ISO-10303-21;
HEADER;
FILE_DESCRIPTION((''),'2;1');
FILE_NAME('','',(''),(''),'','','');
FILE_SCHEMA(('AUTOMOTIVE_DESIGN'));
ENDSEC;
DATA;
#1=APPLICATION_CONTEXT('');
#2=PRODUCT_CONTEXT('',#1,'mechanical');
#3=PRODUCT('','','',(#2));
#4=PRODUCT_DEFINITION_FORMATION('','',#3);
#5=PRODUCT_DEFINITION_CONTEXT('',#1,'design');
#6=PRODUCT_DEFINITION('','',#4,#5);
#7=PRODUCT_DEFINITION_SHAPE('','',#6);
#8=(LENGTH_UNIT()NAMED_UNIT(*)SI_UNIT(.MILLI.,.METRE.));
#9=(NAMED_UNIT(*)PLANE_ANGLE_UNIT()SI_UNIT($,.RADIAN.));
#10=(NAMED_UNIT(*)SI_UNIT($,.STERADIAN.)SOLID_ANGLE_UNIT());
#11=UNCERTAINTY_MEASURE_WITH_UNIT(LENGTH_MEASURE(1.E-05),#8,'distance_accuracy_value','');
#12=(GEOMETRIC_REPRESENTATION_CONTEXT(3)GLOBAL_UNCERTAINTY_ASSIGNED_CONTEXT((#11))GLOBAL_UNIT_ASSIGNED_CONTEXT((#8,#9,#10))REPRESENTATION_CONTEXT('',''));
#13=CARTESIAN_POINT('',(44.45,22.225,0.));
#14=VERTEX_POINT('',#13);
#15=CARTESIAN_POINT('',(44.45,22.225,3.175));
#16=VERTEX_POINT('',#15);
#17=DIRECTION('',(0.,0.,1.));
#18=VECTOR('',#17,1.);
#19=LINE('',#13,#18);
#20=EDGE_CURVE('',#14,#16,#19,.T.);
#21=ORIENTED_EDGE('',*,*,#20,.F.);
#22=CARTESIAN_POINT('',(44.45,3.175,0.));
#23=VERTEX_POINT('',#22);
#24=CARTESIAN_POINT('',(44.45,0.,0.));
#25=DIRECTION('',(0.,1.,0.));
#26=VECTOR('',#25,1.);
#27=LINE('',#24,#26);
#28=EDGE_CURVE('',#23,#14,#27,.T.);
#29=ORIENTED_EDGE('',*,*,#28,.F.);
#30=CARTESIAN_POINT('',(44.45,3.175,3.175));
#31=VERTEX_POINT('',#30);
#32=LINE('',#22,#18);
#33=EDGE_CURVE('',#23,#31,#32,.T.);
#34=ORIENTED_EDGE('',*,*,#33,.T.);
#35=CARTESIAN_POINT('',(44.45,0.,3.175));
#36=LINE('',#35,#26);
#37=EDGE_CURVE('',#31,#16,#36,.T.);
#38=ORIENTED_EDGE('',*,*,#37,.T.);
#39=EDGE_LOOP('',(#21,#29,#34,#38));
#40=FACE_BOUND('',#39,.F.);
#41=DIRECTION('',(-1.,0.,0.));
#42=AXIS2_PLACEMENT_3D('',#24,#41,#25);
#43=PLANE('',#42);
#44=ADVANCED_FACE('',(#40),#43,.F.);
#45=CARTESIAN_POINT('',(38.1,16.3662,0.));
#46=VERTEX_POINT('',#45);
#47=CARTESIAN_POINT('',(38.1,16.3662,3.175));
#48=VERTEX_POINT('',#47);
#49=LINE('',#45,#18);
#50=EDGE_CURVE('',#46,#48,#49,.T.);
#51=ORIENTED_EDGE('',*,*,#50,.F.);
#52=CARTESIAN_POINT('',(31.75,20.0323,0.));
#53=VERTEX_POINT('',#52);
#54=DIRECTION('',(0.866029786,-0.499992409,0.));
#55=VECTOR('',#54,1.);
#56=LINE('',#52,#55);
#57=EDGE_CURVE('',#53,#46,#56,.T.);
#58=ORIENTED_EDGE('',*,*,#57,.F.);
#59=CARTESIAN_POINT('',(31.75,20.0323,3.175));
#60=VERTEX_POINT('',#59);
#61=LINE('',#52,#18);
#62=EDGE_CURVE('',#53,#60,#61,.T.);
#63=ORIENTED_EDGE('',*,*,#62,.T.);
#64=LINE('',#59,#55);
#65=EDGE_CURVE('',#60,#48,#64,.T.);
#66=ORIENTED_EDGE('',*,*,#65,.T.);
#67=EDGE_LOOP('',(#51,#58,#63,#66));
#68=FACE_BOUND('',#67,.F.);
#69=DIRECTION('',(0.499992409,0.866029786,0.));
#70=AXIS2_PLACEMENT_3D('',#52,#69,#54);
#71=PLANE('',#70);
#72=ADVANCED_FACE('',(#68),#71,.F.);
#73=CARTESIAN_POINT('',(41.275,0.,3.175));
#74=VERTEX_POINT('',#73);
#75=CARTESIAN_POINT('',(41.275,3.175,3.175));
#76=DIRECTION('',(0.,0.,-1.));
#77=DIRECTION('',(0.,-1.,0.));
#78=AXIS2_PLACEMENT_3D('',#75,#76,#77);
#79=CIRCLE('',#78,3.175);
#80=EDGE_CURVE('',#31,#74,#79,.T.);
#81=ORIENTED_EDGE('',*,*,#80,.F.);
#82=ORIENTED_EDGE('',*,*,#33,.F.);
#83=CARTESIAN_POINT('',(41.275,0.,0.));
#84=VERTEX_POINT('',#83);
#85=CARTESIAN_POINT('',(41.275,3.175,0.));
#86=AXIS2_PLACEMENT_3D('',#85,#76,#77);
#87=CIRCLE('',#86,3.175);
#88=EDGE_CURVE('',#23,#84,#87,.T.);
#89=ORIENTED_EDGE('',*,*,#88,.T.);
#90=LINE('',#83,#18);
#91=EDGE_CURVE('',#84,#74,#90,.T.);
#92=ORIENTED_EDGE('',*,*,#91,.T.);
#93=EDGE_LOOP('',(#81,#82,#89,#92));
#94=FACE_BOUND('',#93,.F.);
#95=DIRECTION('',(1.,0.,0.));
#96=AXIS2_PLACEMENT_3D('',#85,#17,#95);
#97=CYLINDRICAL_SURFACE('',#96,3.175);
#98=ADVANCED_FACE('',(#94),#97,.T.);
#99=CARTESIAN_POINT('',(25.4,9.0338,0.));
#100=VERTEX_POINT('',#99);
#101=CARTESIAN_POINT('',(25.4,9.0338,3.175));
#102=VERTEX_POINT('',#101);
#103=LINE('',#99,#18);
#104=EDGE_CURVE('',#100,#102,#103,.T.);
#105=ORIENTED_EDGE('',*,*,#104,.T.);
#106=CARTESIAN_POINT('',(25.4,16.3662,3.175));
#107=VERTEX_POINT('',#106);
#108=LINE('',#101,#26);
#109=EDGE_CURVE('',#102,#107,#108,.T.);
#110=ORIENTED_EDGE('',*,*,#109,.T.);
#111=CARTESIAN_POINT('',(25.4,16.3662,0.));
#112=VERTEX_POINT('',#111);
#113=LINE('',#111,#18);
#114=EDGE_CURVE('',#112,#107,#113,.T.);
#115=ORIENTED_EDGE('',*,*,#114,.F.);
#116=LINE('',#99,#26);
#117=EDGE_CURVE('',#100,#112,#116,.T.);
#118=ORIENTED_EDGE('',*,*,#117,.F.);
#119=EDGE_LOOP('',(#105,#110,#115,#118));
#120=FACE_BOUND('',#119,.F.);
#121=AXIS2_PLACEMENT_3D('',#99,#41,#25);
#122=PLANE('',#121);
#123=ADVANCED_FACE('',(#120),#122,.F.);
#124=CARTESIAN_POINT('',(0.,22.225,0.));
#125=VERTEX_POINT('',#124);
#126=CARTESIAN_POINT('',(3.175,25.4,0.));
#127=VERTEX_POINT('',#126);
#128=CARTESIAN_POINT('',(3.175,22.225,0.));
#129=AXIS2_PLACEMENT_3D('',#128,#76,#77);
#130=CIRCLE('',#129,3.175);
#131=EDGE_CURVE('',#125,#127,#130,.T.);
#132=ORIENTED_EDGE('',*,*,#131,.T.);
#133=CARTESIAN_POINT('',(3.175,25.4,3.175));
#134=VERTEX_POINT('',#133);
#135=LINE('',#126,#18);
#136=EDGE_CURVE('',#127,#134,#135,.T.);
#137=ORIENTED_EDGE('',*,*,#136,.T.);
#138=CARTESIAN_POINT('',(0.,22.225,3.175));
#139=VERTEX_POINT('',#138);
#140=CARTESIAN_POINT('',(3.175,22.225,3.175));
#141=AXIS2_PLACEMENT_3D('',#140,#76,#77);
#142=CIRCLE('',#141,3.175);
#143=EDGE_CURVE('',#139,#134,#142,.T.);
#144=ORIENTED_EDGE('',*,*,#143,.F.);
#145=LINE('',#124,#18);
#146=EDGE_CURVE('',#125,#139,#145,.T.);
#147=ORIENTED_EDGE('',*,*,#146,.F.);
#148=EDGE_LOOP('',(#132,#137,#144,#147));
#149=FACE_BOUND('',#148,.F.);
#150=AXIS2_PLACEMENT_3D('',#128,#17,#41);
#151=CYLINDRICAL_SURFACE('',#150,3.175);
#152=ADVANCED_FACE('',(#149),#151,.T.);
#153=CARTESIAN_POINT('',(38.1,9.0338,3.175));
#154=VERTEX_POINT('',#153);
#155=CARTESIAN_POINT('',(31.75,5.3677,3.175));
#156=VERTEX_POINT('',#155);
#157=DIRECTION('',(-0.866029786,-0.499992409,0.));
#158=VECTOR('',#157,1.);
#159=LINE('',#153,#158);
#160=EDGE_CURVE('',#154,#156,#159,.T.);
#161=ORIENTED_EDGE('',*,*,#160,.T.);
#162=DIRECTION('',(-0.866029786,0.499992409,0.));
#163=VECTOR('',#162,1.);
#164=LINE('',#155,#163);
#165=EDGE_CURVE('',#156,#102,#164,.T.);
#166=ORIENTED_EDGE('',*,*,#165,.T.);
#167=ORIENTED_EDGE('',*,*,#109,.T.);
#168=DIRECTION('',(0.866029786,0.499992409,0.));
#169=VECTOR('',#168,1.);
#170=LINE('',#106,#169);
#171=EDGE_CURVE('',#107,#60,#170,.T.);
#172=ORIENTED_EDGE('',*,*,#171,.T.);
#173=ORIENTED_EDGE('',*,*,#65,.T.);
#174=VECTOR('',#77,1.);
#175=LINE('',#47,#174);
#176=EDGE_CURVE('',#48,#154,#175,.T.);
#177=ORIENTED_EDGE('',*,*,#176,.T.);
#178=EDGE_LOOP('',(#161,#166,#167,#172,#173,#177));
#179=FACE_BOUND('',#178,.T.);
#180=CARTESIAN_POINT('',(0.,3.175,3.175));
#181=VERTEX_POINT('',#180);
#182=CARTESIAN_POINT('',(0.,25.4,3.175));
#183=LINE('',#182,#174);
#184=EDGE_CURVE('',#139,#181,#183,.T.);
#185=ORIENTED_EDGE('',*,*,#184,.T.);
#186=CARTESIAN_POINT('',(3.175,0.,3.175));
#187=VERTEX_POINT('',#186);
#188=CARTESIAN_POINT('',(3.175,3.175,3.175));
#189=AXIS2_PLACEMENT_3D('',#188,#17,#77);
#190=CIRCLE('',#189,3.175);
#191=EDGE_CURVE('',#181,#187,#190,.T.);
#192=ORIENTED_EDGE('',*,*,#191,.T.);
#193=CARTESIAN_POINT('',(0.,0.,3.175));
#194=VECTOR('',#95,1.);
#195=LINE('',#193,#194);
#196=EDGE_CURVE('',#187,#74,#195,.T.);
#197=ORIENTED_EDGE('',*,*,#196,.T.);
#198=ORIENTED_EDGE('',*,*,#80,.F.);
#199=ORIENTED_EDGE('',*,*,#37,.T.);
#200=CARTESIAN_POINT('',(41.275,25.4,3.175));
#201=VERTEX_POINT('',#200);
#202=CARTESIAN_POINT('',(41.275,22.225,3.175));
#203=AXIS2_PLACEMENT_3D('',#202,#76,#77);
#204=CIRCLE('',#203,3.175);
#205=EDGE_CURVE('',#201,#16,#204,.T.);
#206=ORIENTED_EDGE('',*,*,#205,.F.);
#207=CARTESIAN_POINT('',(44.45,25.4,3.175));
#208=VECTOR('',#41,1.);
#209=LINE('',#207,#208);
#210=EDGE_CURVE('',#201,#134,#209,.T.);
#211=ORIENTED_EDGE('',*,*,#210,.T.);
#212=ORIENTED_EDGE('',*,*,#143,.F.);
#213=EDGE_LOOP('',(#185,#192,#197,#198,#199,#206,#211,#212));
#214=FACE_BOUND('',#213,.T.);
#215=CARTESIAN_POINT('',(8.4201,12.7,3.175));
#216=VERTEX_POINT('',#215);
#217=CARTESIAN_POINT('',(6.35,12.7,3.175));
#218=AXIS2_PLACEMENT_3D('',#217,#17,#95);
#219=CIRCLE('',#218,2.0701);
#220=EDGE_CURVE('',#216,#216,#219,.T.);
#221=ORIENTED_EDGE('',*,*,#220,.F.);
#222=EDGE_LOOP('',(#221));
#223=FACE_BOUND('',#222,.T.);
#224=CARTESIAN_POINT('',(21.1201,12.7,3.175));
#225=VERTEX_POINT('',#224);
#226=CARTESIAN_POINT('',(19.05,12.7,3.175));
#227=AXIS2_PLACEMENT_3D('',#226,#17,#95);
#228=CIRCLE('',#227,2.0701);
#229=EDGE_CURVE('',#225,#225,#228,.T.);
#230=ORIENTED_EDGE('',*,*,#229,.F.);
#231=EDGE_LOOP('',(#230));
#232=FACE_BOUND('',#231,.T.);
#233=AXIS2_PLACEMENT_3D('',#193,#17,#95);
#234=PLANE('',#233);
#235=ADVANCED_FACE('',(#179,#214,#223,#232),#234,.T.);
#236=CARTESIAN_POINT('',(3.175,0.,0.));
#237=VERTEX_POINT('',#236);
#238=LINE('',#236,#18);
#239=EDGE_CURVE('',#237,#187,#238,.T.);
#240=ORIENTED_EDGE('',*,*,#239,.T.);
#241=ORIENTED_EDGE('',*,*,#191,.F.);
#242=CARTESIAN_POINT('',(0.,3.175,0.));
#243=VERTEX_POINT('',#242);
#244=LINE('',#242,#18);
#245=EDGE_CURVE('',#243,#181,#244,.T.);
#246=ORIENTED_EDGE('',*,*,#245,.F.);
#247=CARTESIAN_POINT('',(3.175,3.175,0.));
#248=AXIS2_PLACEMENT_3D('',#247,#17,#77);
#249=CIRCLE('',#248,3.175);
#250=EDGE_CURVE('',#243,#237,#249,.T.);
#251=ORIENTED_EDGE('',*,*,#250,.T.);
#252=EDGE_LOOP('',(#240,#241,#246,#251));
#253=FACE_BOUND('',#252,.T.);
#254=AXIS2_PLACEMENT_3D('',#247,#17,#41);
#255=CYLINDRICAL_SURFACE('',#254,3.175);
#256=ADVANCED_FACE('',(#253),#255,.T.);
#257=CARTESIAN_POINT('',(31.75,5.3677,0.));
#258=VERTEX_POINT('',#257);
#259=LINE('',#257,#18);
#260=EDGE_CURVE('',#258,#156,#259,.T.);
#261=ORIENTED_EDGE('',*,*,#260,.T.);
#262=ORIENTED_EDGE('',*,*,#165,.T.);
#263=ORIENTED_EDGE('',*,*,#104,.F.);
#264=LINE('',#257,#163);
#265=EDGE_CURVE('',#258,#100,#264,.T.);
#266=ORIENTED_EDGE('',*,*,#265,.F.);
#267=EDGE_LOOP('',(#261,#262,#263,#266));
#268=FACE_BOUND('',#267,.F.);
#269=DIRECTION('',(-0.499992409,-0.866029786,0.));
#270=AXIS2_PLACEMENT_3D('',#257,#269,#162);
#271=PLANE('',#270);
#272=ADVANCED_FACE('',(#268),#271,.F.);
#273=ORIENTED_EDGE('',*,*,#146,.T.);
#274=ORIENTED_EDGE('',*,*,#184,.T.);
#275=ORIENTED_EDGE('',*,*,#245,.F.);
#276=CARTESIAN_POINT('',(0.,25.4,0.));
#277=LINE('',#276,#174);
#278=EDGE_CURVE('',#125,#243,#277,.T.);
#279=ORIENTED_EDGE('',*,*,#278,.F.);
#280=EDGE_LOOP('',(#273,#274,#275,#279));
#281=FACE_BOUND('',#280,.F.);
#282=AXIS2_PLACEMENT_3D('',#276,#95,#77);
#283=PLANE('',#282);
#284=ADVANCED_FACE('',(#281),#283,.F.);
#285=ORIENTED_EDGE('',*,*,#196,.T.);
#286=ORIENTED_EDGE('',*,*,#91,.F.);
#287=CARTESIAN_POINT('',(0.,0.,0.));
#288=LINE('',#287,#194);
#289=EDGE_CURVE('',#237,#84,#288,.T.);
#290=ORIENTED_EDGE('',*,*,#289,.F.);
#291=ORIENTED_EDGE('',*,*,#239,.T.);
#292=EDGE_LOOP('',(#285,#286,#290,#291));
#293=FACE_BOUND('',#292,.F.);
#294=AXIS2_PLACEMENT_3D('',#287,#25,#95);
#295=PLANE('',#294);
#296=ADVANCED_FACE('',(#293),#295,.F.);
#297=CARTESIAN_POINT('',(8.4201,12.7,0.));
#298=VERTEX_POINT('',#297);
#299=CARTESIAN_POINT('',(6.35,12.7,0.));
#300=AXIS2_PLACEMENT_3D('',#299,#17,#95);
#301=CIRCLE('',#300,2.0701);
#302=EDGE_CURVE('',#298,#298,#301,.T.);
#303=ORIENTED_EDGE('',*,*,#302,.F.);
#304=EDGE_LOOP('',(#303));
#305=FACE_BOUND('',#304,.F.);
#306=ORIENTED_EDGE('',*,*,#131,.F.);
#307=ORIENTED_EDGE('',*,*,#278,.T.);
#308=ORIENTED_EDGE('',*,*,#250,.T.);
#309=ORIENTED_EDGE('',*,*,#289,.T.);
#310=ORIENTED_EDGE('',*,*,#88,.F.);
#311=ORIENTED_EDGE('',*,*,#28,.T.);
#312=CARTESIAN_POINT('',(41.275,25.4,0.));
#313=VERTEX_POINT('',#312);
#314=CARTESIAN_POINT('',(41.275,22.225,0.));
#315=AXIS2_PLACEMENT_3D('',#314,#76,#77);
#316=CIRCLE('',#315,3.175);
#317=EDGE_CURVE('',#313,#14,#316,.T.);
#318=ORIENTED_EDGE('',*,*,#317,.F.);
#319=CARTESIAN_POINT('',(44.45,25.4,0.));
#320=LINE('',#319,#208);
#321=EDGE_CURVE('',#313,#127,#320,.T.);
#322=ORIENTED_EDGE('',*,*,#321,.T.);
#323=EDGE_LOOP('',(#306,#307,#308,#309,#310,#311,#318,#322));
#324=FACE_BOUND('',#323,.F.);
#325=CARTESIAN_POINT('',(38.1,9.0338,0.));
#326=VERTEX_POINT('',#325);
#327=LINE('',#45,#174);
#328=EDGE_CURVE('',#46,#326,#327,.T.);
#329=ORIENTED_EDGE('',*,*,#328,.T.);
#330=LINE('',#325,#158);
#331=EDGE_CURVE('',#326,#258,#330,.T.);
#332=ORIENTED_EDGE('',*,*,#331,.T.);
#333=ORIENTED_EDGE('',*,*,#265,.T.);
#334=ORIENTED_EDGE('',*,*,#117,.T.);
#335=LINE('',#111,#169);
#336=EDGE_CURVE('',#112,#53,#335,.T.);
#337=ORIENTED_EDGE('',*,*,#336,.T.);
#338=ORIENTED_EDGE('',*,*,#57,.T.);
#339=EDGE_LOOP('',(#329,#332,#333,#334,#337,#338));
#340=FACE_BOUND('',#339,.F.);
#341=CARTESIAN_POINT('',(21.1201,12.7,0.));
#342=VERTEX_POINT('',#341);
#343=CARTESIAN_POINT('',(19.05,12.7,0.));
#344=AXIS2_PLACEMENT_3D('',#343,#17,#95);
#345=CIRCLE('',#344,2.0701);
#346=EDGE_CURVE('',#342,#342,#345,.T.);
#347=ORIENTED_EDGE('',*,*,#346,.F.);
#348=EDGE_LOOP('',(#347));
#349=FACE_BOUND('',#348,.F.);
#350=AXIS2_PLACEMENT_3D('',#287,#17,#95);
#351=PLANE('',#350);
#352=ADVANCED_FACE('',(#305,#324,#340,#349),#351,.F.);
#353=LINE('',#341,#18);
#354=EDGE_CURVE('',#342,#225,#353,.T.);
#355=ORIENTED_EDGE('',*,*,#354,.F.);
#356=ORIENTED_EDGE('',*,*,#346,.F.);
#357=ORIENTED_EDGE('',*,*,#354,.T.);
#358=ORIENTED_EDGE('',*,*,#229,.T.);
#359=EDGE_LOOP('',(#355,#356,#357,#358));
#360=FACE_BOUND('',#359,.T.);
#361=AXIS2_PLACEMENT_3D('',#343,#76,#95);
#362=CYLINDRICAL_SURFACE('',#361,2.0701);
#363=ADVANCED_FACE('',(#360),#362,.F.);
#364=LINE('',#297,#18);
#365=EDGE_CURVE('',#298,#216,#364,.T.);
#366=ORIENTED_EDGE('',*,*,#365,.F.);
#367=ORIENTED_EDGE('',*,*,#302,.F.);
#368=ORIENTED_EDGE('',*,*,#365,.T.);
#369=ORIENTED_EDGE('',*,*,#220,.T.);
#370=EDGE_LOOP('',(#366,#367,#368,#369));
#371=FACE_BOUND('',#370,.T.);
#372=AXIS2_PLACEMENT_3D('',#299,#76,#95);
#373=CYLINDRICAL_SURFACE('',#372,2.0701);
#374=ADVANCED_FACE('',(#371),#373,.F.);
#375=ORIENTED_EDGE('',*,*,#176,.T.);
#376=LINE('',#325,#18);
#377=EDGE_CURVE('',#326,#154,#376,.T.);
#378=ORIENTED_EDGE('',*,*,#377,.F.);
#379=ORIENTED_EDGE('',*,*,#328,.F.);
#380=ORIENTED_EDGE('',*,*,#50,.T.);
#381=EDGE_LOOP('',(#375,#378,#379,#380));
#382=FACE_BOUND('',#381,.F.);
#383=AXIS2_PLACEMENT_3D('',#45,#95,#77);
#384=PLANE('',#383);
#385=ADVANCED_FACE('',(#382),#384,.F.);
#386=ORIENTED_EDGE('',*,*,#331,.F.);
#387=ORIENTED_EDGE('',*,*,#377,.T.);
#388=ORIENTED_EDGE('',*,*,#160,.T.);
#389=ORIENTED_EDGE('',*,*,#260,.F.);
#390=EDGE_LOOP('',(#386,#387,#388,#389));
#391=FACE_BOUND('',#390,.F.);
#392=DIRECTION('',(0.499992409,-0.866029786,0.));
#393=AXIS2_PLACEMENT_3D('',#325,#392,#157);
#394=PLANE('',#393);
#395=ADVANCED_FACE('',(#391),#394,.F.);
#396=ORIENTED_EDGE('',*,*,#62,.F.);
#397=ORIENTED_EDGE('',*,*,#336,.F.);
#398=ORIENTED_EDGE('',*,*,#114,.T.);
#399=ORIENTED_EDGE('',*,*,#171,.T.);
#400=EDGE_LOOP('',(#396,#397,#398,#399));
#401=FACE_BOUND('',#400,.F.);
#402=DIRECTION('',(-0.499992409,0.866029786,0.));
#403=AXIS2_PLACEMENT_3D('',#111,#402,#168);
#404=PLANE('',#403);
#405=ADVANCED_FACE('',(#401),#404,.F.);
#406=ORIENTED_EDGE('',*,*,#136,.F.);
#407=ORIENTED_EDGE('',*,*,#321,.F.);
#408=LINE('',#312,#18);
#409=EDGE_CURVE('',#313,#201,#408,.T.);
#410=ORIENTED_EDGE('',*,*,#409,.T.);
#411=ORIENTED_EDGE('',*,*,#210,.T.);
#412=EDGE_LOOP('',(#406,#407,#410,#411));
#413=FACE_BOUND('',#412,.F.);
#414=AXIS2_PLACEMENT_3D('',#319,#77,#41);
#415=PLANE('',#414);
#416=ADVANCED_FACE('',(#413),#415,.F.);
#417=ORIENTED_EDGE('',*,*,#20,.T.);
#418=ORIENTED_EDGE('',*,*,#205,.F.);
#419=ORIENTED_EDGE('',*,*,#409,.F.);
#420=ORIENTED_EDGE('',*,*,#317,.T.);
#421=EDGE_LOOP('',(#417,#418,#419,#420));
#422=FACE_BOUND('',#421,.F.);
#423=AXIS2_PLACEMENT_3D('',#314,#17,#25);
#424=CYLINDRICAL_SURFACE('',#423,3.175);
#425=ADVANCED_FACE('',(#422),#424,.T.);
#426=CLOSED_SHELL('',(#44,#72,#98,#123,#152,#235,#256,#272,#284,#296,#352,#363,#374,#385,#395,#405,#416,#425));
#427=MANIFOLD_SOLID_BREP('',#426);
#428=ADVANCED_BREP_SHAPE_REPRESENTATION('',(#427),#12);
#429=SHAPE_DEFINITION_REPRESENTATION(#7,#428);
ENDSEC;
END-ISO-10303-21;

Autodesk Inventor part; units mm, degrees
ref_plane "YZ Plane" through (0, 0, 0) normal (1, 0, 0) x (0, 1, 0)
ref_plane "XZ Plane" through (0, 0, 0) normal (0, 1, 0) x (-1, 0, 0)
ref_plane "XY Plane" through (0, 0, 0) normal (0, 0, 1) x (1, 0, 0)
sketch "Sketch1" plane through (0, 0, 0) normal (0, 0, 1) x (1, 0, 0)
  line L0 (0, 0) -> (44.45, 0)
  line L1 (44.45, 0) -> (44.45, 25.4)
  line L2 (44.45, 25.4) -> (0, 25.4)
  line L3 (0, 25.4) -> (0, 0)
  circle A0 centre (6.35, 12.7) radius 2.0701
  line L4 (31.75, 20.0323) -> (38.1, 16.3662)
  line L5 (38.1, 16.3662) -> (38.1, 9.0338)
  line L6 (38.1, 9.0338) -> (31.75, 5.3677)
  line L7 (31.75, 5.3677) -> (25.4, 9.0338)
  line L8 (25.4, 9.0338) -> (25.4, 16.3662)
  line L9 (25.4, 16.3662) -> (31.75, 20.0323)
  circle A1 centre (19.05, 12.7) radius 2.0701
  point P0 (31.75, 12.7)
  dimension "d0" = 44.45
  dimension "d1" = 25.4
  dimension "d2" = 4.1402
  dimension "d3" = 12.7
  dimension "d4" = 6.35
  dimension "d5" = 25.4
  dimension "d6" = 12.7
  dimension "d7" = 12.7
  dimension "d11" = 12.7
  dimension "d12" = 12.7
extrude "Extrusion1" add sketch "Sketch1" along normal blind 3.175
fillet "Fillet1" radius 3.175 4 edges at (44.45, 25.4, 1.5875) (44.45, 0, 1.5875) (0, 25.4, 1.5875) (0, 0, 1.5875)
properties part number "Hex Spacer 1-2 in (4)" material "Aluminum 6061"
